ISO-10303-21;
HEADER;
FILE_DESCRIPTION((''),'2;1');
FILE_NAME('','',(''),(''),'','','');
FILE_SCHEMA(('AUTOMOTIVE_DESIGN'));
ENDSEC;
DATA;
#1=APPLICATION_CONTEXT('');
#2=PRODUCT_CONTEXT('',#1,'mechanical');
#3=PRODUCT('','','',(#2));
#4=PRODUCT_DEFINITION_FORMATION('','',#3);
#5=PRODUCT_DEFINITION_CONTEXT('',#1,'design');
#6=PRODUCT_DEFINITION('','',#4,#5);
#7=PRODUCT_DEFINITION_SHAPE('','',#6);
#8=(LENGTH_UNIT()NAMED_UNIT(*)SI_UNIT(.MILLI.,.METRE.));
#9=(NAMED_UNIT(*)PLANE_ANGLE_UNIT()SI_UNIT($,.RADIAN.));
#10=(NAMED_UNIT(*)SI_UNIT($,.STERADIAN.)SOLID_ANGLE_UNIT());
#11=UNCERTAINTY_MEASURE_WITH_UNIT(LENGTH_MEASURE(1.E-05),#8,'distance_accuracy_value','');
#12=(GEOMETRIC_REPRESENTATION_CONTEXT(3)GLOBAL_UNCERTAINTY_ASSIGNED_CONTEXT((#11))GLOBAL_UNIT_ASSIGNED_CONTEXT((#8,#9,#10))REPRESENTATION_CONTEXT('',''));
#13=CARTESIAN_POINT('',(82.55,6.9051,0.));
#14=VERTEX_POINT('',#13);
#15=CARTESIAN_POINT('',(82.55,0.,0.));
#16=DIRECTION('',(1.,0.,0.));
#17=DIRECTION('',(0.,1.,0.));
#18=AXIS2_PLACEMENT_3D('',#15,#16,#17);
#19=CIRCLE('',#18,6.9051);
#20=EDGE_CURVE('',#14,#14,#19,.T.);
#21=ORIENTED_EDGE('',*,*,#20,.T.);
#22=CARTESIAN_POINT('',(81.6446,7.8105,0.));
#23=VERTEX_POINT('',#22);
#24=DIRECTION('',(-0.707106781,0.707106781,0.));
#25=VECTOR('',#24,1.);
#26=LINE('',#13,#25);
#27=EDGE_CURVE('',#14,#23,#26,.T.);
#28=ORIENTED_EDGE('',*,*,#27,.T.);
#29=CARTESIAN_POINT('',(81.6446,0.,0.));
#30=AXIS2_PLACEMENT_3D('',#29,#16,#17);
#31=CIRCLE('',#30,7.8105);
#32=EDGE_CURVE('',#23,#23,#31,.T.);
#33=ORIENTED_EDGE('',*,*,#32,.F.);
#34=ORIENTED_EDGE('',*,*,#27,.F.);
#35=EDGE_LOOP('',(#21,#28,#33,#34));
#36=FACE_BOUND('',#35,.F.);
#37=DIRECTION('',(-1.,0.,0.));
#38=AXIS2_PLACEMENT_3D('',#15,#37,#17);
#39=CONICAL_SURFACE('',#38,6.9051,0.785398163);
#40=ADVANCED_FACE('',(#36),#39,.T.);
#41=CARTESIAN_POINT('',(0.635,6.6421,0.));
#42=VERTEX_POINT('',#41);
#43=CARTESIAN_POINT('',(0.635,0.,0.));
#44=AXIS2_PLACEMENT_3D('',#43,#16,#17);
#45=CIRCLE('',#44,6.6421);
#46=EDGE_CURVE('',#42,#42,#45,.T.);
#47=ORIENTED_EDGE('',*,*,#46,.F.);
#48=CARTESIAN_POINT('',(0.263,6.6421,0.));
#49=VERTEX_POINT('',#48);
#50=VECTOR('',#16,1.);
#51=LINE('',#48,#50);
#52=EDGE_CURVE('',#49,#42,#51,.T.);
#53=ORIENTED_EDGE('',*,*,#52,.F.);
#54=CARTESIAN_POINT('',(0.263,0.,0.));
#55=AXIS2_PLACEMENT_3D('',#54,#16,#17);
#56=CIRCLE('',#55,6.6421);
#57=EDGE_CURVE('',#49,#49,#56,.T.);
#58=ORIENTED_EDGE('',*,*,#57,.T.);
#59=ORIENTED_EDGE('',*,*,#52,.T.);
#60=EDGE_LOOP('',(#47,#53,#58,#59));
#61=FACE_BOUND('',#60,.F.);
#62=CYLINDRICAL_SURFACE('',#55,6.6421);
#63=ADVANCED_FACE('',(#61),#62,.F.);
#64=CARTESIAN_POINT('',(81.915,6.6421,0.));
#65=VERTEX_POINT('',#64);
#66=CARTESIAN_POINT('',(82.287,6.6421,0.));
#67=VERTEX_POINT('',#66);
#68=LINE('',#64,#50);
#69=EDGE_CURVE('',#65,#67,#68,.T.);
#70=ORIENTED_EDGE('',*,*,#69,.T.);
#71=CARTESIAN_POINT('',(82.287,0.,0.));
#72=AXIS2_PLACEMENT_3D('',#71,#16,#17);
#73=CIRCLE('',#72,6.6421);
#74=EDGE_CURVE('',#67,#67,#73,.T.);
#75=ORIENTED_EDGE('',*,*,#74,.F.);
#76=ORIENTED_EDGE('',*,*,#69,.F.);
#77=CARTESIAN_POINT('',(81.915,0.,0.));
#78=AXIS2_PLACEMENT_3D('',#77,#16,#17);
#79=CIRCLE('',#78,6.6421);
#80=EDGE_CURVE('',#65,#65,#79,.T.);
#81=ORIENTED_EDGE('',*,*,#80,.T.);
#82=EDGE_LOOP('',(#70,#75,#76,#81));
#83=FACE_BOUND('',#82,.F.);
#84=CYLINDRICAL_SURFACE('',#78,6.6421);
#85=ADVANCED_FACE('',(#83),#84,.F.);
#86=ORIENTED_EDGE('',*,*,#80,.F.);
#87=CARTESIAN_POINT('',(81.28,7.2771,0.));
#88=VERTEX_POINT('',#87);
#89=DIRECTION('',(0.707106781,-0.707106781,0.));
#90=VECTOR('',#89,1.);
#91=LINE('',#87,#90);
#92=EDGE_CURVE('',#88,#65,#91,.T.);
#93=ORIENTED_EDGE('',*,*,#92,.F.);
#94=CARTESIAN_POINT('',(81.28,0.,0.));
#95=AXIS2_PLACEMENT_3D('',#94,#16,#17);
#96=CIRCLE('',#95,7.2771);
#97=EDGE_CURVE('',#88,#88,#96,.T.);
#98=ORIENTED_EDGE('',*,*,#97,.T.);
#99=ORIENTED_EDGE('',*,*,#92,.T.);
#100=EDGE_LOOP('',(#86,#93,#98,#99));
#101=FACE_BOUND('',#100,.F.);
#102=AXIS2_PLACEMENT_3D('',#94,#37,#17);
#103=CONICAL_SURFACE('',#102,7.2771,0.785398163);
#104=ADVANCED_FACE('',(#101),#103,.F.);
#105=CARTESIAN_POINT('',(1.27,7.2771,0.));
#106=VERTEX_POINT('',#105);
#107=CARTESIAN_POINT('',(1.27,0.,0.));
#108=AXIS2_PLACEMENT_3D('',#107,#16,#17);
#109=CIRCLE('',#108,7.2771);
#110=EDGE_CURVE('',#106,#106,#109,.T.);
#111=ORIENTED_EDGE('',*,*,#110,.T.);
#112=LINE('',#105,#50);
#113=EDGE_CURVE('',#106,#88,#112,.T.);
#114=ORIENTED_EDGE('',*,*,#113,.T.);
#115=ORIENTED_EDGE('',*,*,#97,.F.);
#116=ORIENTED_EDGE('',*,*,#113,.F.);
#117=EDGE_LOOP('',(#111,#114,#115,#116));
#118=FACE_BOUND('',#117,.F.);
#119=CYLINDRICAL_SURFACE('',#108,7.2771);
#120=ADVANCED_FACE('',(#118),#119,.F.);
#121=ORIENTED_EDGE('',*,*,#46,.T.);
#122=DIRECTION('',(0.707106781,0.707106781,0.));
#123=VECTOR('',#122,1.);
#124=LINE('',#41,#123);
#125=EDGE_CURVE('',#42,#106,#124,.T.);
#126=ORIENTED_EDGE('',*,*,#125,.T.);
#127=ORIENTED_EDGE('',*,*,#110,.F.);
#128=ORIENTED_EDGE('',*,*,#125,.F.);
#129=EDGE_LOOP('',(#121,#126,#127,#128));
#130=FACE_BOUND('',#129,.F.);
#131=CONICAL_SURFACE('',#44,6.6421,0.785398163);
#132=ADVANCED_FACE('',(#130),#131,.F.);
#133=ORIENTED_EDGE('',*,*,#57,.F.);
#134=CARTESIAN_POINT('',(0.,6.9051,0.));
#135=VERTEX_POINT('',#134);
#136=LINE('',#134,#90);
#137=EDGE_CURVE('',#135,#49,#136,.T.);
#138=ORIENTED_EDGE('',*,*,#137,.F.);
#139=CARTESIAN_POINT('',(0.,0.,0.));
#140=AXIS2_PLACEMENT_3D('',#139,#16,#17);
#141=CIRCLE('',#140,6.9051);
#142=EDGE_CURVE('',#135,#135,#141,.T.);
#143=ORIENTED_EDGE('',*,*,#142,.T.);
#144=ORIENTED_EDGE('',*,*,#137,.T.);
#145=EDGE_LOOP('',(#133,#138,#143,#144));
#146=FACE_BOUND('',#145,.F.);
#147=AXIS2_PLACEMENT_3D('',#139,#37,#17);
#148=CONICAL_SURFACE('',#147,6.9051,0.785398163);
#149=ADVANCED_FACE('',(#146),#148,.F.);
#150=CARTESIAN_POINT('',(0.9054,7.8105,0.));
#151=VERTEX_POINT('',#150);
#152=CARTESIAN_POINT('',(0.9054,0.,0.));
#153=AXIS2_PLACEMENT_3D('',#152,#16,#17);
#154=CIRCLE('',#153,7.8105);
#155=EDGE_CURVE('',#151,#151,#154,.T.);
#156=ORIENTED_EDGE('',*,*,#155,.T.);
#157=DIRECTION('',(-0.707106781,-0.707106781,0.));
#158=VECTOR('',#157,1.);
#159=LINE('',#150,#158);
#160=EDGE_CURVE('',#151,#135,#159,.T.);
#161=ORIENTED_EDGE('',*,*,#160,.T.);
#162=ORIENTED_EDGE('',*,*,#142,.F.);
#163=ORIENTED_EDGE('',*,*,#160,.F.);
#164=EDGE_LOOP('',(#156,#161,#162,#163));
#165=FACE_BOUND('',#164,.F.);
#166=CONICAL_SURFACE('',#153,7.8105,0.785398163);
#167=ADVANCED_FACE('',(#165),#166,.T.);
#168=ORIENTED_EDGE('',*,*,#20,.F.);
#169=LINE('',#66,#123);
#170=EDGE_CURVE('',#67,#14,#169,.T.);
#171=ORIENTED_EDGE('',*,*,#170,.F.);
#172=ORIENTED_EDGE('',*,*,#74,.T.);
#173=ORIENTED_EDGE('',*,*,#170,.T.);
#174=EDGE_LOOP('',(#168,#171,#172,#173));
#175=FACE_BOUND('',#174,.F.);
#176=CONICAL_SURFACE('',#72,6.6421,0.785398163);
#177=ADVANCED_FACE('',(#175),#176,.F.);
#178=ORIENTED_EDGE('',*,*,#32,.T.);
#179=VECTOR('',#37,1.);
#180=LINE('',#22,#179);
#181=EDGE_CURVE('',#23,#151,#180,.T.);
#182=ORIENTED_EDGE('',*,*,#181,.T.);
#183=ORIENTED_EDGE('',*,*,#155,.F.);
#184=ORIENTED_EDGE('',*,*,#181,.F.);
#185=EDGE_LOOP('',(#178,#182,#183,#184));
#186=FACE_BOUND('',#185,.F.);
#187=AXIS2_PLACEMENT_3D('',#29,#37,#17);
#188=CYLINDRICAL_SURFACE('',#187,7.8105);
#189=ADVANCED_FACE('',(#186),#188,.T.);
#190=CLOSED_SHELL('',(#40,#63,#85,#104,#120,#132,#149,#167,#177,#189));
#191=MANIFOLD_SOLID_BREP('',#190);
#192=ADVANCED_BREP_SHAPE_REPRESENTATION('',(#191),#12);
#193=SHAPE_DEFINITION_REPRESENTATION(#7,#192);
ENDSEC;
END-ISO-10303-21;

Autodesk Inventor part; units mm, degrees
sketch "Sketch_5" plane through (0, 0, 0) normal (0, 0, 1) x (1, 0, 0)
  line L0 (82.55, 0) -> (-82.55, 0)
  line L1 (0, 6.9051) -> (0.263, 6.6421)
  line L2 (0.263, 6.6421) -> (0.635, 6.6421)
  line L3 (0.635, 6.6421) -> (1.27, 7.2771)
  line L4 (1.27, 7.2771) -> (81.28, 7.2771)
  line L5 (81.28, 7.2771) -> (81.915, 6.6421)
  line L6 (81.915, 6.6421) -> (82.287, 6.6421)
  line L7 (82.287, 6.6421) -> (82.55, 6.9051)
  line L8 (82.55, 6.9051) -> (81.6446, 7.8105)
  line L9 (81.6446, 7.8105) -> (0.9054, 7.8105)
  line L10 (0.9054, 7.8105) -> (0, 6.9051)
revolve "Revolution1" add sketch "Sketch_5" angle 360 about axis through (82.55, 0, 0) along (1, 0, 0)
ref_plane "o1_XY" through (0, -7.8105, 0) normal (1, 0, 0) x (0, 0, -1)
ref_plane "o1_YZ" through (0, -7.8105, 0) normal (0, 0, -1) x (0, 1, 0)
ref_plane "o1_ZX" through (0, -7.8105, 0) normal (0, 1, 0) x (1, 0, 0)
ref_plane "o2_XY" through (0, 7.8105, 0) normal (1, 0, 0) x (0, 0, -1)
ref_plane "o2_YZ" through (0, 7.8105, 0) normal (0, 0, -1) x (0, 1, 0)
ref_plane "o2_ZX" through (0, 7.8105, 0) normal (0, 1, 0) x (1, 0, 0)
ref_plane "t1_XY" through (41.275, 7.8105, 0) normal (1, 0, 0) x (0, 0, -1)
ref_plane "t1_YZ" through (41.275, 7.8105, 0) normal (0, 0, -1) x (0, 1, 0)
ref_plane "t1_ZX" through (41.275, 7.8105, 0) normal (0, 1, 0) x (1, 0, 0)
ref_plane "t2_XY" through (41.275, 0, -7.8105) normal (1, 0, 0) x (0, 0, -1)
ref_plane "t2_YZ" through (41.275, 0, -7.8105) normal (0, 0, -1) x (0, 1, 0)
ref_plane "t2_ZX" through (41.275, 0, -7.8105) normal (0, 1, 0) x (1, 0, 0)
ref_plane "t3_XY" through (41.275, -7.8105, 0) normal (1, 0, 0) x (0, 0, -1)
ref_plane "t3_YZ" through (41.275, -7.8105, 0) normal (0, 0, -1) x (0, 1, 0)
ref_plane "t3_ZX" through (41.275, -7.8105, 0) normal (0, 1, 0) x (1, 0, 0)
ref_plane "t4_XY" through (41.275, 0, 7.8105) normal (1, 0, 0) x (0, 0, -1)
ref_plane "t4_YZ" through (41.275, 0, 7.8105) normal (0, 0, -1) x (0, 1, 0)
ref_plane "t4_ZX" through (41.275, 0, 7.8105) normal (0, 1, 0) x (1, 0, 0)
ref_plane "tube1_XY" through (1.27, 0, 0) normal (1, 0, 0) x (0, 0, -1)
ref_plane "tube1_YZ" through (1.27, 0, 0) normal (0, 0, -1) x (0, 1, 0)
ref_plane "tube1_ZX" through (1.27, 0, 0) normal (0, 1, 0) x (1, 0, 0)
ref_plane "tube2_XY" through (81.28, 0, 0) normal (1, 0, 0) x (0, 0, -1)
ref_plane "tube2_YZ" through (81.28, 0, 0) normal (0, 0, -1) x (0, 1, 0)
ref_plane "tube2_ZX" through (81.28, 0, 0) normal (0, 1, 0) x (1, 0, 0)
properties part number "D-7516XP-3.25"
